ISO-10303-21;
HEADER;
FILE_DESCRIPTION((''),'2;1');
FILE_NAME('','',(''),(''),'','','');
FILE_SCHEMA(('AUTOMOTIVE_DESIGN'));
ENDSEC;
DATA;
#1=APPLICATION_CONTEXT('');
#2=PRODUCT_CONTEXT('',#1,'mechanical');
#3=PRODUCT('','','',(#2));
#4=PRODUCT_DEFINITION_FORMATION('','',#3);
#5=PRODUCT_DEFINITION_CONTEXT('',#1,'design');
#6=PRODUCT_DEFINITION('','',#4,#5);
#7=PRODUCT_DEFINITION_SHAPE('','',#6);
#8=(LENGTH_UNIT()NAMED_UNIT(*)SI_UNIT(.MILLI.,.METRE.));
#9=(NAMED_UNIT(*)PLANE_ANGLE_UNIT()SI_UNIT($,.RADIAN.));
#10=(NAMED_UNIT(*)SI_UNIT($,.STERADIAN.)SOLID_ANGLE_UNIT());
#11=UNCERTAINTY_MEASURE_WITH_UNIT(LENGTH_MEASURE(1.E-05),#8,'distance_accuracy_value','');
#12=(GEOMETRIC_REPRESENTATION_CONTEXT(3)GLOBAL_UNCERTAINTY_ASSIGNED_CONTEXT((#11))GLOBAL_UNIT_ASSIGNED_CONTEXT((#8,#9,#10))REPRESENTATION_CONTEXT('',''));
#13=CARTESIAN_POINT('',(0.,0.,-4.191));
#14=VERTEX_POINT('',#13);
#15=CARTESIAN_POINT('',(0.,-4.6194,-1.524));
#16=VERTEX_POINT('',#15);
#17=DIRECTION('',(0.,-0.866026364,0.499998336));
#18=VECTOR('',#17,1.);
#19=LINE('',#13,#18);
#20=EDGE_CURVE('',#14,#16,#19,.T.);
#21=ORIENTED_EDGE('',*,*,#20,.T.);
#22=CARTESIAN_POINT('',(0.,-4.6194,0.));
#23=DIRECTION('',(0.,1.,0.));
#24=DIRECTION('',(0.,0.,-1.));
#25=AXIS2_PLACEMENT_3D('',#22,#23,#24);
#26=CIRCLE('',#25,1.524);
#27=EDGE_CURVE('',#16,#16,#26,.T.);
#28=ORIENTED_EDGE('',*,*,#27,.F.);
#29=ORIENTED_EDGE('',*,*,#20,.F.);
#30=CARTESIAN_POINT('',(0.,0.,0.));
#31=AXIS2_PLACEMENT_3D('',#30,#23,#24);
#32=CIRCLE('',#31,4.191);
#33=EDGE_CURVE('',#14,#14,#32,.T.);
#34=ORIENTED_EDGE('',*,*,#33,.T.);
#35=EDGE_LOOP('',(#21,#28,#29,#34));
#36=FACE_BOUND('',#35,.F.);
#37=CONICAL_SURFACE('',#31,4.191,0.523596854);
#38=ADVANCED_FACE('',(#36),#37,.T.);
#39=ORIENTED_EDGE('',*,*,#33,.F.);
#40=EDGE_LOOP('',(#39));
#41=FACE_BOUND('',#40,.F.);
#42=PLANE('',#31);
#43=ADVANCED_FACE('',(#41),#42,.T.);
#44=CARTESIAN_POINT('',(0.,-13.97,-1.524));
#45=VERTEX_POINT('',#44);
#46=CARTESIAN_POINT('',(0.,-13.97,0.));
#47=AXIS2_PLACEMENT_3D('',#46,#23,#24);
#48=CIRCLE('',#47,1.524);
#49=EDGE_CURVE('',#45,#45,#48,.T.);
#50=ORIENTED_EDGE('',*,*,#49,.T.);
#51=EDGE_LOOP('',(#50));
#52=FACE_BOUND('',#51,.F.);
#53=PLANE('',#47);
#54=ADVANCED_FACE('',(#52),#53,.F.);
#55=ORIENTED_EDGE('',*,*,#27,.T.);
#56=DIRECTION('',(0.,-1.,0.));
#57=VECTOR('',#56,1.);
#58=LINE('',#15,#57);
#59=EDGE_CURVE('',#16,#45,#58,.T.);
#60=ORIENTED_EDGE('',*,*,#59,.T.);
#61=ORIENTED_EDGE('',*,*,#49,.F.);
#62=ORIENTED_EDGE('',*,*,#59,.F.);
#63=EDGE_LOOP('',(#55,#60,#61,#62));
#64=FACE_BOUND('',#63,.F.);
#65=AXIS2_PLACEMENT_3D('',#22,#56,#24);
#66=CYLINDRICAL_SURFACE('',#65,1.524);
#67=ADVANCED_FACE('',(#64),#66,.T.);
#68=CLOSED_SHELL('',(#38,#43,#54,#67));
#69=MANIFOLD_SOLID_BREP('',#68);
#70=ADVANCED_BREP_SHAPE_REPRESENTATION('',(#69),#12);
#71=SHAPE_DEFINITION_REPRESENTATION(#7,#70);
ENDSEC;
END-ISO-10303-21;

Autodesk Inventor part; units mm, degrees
ref_plane "YZ Plane" through (0, 0, 0) normal (1, 0, 0) x (0, 1, 0)
ref_plane "XZ Plane" through (0, 0, 0) normal (0, 1, 0) x (-1, 0, 0)
ref_plane "XY Plane" through (0, 0, 0) normal (0, 0, 1) x (1, 0, 0)
sketch "Sketch1" plane through (0, 0, 0) normal (1, 0, 0) x (0, 1, 0)
  line L0 (0, 1.2573) -> (0, -4.6101) projected
  line L1 (-15.367, 0) -> (4.191, 0) projected
  line L2 (0, 0) -> (0, -4.191)
  line L3 (0, -4.191) -> (-4.6194, -1.524)
  line L4 (-4.6194, -1.524) -> (-13.97, -1.524)
  line L5 (-13.97, -1.524) -> (-13.97, 0)
  line L6 (-13.97, 0) -> (0, 0)
  dimension "d0" = 8.382
  dimension "d1" = 60
  dimension "d2" = 13.97
  dimension "d3" = 3.048
revolve "Revolution1" add sketch "Sketch1" angle 360 about axis through (0, 0, 0) along (0, 1, 0)
properties part number "Vane_Stud"
